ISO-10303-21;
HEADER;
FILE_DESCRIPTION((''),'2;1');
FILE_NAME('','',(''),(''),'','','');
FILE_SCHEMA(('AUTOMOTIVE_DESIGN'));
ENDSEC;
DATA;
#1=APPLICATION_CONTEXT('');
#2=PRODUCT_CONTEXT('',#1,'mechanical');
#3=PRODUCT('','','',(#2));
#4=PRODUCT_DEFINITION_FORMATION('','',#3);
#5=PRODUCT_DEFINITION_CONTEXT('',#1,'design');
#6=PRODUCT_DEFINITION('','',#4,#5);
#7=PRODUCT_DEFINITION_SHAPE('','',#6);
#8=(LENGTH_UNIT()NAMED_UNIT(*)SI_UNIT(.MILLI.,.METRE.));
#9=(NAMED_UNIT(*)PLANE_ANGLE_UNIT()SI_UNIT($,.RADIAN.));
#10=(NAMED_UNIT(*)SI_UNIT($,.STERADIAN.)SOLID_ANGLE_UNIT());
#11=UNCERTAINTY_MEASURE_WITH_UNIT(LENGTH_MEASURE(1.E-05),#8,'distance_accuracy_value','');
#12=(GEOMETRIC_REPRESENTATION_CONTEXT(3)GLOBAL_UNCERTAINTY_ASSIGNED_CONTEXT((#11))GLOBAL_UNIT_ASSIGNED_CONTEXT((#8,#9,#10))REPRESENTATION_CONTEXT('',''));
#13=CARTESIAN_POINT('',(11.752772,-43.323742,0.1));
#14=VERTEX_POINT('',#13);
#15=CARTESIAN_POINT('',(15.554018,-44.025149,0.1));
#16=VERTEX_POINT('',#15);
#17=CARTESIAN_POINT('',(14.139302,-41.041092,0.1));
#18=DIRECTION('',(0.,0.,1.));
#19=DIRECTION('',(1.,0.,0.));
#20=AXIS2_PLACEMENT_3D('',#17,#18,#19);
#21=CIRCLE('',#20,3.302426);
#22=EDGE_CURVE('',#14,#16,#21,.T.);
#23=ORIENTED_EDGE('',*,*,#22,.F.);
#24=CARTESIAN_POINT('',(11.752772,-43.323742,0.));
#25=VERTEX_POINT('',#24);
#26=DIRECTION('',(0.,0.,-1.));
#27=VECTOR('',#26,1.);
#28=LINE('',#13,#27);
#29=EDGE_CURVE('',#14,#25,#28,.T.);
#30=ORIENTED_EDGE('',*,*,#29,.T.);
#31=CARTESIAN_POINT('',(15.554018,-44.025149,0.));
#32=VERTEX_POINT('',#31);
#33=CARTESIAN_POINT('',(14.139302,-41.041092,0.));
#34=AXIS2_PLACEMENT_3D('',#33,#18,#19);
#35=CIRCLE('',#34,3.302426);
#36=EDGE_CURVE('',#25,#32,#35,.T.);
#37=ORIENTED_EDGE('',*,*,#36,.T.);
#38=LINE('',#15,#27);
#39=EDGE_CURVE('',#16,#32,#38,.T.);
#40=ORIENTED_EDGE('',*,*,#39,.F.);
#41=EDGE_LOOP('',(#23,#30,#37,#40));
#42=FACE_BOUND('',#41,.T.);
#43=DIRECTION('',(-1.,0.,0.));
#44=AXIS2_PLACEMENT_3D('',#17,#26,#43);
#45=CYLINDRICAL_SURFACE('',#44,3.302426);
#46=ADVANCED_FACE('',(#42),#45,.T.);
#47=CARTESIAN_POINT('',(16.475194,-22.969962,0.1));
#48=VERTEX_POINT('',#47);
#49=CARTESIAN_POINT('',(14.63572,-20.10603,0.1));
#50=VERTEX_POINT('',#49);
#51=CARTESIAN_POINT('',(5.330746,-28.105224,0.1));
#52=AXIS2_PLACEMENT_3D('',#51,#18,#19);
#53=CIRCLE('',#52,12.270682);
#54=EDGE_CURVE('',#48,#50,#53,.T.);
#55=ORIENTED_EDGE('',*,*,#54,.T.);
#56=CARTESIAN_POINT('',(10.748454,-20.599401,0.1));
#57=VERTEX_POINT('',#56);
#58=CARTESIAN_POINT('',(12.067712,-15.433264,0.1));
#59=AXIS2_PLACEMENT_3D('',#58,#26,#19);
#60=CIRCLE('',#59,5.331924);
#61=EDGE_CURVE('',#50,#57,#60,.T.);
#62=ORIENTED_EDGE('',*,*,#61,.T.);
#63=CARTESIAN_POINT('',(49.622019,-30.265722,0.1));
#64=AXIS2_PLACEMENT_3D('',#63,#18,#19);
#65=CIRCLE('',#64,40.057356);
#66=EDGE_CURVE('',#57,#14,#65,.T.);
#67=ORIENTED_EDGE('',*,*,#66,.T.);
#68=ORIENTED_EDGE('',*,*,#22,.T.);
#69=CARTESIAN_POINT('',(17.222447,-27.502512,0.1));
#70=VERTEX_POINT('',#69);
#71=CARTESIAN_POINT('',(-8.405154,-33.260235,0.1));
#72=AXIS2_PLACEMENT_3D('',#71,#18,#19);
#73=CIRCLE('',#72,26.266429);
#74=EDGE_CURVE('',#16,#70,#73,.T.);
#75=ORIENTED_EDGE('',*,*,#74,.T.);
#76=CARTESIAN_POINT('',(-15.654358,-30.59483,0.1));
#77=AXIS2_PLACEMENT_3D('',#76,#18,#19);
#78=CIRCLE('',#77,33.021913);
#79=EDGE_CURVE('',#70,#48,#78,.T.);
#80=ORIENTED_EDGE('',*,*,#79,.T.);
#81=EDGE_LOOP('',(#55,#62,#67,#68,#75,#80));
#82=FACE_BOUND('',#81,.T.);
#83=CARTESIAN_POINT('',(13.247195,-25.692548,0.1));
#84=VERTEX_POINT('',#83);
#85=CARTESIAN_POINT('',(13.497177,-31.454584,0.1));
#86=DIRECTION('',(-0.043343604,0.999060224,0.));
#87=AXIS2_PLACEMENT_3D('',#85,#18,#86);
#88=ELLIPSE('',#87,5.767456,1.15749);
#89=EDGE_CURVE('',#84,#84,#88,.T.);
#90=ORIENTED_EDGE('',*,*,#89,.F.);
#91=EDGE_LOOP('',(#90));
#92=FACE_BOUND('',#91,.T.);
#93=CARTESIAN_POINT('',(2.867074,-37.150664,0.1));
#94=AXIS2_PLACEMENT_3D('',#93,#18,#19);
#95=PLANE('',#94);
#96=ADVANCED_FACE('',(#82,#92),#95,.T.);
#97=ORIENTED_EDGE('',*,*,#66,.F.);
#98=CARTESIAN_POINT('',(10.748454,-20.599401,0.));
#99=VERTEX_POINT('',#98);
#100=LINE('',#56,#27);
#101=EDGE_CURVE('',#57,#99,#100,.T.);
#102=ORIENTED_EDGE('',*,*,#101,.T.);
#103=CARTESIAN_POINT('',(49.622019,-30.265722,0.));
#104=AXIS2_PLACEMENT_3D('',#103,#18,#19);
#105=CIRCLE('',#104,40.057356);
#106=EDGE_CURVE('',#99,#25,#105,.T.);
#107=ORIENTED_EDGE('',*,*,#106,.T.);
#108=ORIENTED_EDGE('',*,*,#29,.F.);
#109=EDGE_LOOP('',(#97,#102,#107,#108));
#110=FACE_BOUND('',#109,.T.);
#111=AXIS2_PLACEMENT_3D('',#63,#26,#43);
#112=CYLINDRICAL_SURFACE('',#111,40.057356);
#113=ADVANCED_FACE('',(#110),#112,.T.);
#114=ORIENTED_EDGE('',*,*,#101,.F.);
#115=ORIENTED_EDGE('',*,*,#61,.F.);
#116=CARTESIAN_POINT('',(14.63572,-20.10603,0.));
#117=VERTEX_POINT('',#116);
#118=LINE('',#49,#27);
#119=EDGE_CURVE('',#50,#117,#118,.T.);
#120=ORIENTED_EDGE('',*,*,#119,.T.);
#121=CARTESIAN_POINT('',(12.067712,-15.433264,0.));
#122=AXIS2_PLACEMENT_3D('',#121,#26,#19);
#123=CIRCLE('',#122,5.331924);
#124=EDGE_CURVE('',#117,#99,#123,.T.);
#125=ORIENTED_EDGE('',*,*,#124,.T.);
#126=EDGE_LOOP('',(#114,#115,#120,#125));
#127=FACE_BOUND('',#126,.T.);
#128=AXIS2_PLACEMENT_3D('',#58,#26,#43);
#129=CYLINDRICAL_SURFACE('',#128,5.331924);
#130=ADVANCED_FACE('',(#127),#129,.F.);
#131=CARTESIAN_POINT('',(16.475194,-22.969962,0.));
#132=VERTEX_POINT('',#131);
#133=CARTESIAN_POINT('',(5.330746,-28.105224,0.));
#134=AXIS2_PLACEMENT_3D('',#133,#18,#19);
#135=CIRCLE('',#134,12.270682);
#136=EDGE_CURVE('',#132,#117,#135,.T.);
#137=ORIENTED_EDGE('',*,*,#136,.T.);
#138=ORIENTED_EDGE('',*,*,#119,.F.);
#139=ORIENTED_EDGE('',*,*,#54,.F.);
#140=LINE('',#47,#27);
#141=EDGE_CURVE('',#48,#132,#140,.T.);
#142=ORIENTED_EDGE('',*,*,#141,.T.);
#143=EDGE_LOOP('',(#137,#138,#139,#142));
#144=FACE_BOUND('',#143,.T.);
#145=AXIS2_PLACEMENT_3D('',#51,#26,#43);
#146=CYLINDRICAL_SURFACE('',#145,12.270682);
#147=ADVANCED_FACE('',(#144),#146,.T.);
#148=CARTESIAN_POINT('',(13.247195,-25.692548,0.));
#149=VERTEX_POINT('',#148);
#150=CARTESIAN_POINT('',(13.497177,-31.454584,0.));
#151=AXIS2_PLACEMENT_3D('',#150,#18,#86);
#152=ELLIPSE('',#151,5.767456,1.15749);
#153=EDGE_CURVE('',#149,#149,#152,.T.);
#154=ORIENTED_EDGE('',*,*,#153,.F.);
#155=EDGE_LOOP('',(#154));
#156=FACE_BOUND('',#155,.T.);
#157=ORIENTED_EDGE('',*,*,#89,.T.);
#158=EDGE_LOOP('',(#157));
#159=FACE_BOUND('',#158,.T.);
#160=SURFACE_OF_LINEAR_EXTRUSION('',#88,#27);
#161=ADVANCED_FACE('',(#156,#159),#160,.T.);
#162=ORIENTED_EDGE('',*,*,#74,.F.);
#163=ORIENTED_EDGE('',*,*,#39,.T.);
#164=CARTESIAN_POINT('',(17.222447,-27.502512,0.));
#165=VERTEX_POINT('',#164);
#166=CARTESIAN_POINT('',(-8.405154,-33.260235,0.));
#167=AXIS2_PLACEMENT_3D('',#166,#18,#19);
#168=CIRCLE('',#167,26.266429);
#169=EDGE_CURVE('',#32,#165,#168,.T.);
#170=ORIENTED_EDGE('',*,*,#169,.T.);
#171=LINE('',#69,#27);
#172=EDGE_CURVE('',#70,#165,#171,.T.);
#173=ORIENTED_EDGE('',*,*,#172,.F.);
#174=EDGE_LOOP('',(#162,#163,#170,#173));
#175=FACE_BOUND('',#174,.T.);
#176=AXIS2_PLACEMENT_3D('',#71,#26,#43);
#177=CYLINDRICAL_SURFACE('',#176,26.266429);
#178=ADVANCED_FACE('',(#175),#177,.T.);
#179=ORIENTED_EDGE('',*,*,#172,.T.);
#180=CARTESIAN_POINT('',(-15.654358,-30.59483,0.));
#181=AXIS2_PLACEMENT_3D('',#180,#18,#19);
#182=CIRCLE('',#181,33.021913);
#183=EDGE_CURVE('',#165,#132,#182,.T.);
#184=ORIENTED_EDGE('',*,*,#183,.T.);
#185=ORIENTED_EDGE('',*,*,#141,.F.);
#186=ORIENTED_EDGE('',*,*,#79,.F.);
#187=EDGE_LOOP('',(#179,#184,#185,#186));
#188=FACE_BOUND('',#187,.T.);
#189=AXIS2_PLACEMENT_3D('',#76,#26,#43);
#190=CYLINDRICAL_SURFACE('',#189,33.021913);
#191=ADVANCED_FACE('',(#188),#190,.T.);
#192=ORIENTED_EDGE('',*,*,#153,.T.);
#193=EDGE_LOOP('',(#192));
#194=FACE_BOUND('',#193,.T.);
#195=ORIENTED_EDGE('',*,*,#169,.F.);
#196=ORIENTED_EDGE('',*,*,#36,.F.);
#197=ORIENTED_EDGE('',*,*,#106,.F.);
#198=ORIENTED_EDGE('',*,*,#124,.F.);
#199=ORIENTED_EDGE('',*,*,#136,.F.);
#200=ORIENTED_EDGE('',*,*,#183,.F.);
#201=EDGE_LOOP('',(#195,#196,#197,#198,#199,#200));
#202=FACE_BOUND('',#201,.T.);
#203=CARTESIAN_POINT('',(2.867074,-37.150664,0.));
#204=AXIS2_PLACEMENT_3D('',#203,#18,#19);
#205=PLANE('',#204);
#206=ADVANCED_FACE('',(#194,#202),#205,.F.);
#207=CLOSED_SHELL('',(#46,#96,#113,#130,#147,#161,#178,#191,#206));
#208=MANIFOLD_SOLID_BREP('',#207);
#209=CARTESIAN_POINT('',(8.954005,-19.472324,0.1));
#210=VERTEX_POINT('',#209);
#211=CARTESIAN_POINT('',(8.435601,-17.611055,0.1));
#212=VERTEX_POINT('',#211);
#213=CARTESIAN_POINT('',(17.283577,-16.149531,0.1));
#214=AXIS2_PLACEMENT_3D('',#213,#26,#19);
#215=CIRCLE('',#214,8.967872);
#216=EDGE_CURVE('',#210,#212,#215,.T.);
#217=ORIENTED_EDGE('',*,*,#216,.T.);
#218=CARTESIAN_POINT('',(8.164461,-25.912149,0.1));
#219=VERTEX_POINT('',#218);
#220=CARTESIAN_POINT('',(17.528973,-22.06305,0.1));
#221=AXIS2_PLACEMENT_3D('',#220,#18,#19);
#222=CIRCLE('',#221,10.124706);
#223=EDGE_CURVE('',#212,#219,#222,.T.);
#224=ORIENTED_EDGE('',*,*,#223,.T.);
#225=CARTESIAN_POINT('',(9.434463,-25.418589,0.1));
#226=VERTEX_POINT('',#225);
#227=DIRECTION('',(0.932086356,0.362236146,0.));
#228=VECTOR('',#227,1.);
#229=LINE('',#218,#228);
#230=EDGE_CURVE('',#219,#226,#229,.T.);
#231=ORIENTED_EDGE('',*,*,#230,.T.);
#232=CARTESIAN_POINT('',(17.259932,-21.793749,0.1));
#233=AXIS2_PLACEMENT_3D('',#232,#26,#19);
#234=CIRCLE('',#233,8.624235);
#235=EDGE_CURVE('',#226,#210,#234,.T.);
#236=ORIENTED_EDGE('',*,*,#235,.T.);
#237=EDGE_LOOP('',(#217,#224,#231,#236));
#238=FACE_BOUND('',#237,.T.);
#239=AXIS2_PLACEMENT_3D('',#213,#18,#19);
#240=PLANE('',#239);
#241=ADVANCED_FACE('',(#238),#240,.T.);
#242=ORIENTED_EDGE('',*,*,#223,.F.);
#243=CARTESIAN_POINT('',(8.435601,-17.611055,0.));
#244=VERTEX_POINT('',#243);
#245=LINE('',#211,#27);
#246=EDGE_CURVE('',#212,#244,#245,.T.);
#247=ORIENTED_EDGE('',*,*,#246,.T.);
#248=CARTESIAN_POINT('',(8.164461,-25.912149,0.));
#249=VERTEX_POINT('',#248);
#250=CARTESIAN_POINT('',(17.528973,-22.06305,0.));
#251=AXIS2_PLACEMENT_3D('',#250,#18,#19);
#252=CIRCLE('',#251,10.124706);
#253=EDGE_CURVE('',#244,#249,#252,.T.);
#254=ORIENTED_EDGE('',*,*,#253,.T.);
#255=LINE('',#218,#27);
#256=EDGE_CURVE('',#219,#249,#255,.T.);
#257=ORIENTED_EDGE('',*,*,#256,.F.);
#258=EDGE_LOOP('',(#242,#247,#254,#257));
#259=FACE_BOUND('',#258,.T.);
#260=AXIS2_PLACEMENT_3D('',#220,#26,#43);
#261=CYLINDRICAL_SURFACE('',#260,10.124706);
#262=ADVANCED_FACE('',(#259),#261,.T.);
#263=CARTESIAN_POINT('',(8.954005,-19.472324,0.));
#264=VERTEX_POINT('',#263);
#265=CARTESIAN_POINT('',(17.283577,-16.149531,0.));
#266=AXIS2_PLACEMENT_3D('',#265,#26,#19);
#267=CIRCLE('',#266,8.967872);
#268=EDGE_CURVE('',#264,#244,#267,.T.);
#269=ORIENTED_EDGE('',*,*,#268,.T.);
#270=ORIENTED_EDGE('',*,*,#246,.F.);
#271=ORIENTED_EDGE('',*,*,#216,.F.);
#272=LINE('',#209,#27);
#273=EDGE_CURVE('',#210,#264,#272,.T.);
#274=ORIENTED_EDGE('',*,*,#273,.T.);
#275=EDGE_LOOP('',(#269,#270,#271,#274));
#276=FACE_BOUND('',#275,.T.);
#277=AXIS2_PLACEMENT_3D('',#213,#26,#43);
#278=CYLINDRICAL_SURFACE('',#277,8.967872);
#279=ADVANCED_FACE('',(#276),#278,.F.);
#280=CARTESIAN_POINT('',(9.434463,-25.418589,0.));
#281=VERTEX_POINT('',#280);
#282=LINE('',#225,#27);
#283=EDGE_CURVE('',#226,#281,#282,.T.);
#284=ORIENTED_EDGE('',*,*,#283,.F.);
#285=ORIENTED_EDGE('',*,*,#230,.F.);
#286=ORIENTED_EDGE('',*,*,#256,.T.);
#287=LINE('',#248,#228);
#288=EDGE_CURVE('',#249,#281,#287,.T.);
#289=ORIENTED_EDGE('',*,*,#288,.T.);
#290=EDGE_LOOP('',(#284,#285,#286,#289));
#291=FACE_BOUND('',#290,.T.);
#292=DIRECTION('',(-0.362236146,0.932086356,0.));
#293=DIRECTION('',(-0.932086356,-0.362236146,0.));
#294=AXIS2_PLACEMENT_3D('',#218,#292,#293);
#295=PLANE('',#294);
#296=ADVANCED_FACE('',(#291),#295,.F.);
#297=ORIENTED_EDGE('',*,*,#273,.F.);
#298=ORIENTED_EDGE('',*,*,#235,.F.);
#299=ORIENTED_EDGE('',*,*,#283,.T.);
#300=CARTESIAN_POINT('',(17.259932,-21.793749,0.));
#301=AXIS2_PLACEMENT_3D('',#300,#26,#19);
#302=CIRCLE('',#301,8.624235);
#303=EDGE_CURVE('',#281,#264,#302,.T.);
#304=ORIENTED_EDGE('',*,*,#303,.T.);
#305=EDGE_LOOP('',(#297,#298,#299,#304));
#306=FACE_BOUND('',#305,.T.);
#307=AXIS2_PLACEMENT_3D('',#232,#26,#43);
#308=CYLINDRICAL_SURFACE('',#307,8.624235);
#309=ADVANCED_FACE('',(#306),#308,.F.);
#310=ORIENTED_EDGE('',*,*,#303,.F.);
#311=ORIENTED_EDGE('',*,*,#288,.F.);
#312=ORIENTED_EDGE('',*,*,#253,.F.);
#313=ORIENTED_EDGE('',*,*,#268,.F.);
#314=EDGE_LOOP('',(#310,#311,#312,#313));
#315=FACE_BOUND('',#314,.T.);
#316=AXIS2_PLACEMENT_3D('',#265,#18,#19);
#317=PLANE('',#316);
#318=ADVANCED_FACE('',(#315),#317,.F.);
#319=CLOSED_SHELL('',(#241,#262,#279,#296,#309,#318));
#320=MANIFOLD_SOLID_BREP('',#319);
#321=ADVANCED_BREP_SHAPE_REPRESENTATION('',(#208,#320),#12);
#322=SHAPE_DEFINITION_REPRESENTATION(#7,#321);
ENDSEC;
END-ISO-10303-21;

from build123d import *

# Parameters (mm, degrees)
SALIENTE_EXTRUIR1_DEPTH   = 0.1
MODEL_RX                  = 5.767455875
MODEL_RY                  = 1.157489638
SALIENTE_EXTRUIR1_2_DEPTH = 0.1


with BuildPart() as part:
    # Model → Saliente-Extruir1 (new body)
    with BuildSketch(Plane.XY):
        with BuildLine():
            Line((8.164460664, -25.912149457), (9.434463248, -25.418589136))
            ThreePointArc((9.434463248, -25.418589136), (8.663712085, -22.488322992), (8.954005148, -19.47232449))
            ThreePointArc((8.954005148, -19.47232449), (8.644531078, -18.555691694), (8.435601468, -17.611055097))
            ThreePointArc((8.435601468, -17.611055097), (7.409664196, -21.732519993), (8.164460664, -25.912149457))
        make_face()
    extrude(amount=SALIENTE_EXTRUIR1_DEPTH)


with BuildPart() as body_2:
    # Model → Saliente-Extruir1 2 (new body)
    with BuildSketch(Plane.XY):
        with BuildLine():
            ThreePointArc((15.55401823, -44.025149476), (17.728376415, -35.899156196), (17.222447112, -27.502511877))
            ThreePointArc((17.222447112, -27.502511877), (16.927732602, -25.223227177), (16.475194288, -22.969961888))
            ThreePointArc((16.475194288, -22.969961888), (15.655243323, -21.473904412), (14.635720073, -20.106030184))
            ThreePointArc((14.635720073, -20.106030184), (12.739052379, -20.722754687), (10.748454163, -20.59940075))
            ThreePointArc((10.748454163, -20.59940075), (9.603726479, -32.034356801), (11.752771541, -43.323742377))
            ThreePointArc((11.752771541, -43.323742377), (13.540053552, -44.288694584), (15.55401823, -44.025149476))
        make_face()
        with Locations(Location((13.497177395, -31.454583951), (0, 0, 92.484183825))):
            Ellipse(MODEL_RX, MODEL_RY, mode=Mode.SUBTRACT)
    extrude(amount=SALIENTE_EXTRUIR1_2_DEPTH)


solid = Compound([part.part, body_2.part])
